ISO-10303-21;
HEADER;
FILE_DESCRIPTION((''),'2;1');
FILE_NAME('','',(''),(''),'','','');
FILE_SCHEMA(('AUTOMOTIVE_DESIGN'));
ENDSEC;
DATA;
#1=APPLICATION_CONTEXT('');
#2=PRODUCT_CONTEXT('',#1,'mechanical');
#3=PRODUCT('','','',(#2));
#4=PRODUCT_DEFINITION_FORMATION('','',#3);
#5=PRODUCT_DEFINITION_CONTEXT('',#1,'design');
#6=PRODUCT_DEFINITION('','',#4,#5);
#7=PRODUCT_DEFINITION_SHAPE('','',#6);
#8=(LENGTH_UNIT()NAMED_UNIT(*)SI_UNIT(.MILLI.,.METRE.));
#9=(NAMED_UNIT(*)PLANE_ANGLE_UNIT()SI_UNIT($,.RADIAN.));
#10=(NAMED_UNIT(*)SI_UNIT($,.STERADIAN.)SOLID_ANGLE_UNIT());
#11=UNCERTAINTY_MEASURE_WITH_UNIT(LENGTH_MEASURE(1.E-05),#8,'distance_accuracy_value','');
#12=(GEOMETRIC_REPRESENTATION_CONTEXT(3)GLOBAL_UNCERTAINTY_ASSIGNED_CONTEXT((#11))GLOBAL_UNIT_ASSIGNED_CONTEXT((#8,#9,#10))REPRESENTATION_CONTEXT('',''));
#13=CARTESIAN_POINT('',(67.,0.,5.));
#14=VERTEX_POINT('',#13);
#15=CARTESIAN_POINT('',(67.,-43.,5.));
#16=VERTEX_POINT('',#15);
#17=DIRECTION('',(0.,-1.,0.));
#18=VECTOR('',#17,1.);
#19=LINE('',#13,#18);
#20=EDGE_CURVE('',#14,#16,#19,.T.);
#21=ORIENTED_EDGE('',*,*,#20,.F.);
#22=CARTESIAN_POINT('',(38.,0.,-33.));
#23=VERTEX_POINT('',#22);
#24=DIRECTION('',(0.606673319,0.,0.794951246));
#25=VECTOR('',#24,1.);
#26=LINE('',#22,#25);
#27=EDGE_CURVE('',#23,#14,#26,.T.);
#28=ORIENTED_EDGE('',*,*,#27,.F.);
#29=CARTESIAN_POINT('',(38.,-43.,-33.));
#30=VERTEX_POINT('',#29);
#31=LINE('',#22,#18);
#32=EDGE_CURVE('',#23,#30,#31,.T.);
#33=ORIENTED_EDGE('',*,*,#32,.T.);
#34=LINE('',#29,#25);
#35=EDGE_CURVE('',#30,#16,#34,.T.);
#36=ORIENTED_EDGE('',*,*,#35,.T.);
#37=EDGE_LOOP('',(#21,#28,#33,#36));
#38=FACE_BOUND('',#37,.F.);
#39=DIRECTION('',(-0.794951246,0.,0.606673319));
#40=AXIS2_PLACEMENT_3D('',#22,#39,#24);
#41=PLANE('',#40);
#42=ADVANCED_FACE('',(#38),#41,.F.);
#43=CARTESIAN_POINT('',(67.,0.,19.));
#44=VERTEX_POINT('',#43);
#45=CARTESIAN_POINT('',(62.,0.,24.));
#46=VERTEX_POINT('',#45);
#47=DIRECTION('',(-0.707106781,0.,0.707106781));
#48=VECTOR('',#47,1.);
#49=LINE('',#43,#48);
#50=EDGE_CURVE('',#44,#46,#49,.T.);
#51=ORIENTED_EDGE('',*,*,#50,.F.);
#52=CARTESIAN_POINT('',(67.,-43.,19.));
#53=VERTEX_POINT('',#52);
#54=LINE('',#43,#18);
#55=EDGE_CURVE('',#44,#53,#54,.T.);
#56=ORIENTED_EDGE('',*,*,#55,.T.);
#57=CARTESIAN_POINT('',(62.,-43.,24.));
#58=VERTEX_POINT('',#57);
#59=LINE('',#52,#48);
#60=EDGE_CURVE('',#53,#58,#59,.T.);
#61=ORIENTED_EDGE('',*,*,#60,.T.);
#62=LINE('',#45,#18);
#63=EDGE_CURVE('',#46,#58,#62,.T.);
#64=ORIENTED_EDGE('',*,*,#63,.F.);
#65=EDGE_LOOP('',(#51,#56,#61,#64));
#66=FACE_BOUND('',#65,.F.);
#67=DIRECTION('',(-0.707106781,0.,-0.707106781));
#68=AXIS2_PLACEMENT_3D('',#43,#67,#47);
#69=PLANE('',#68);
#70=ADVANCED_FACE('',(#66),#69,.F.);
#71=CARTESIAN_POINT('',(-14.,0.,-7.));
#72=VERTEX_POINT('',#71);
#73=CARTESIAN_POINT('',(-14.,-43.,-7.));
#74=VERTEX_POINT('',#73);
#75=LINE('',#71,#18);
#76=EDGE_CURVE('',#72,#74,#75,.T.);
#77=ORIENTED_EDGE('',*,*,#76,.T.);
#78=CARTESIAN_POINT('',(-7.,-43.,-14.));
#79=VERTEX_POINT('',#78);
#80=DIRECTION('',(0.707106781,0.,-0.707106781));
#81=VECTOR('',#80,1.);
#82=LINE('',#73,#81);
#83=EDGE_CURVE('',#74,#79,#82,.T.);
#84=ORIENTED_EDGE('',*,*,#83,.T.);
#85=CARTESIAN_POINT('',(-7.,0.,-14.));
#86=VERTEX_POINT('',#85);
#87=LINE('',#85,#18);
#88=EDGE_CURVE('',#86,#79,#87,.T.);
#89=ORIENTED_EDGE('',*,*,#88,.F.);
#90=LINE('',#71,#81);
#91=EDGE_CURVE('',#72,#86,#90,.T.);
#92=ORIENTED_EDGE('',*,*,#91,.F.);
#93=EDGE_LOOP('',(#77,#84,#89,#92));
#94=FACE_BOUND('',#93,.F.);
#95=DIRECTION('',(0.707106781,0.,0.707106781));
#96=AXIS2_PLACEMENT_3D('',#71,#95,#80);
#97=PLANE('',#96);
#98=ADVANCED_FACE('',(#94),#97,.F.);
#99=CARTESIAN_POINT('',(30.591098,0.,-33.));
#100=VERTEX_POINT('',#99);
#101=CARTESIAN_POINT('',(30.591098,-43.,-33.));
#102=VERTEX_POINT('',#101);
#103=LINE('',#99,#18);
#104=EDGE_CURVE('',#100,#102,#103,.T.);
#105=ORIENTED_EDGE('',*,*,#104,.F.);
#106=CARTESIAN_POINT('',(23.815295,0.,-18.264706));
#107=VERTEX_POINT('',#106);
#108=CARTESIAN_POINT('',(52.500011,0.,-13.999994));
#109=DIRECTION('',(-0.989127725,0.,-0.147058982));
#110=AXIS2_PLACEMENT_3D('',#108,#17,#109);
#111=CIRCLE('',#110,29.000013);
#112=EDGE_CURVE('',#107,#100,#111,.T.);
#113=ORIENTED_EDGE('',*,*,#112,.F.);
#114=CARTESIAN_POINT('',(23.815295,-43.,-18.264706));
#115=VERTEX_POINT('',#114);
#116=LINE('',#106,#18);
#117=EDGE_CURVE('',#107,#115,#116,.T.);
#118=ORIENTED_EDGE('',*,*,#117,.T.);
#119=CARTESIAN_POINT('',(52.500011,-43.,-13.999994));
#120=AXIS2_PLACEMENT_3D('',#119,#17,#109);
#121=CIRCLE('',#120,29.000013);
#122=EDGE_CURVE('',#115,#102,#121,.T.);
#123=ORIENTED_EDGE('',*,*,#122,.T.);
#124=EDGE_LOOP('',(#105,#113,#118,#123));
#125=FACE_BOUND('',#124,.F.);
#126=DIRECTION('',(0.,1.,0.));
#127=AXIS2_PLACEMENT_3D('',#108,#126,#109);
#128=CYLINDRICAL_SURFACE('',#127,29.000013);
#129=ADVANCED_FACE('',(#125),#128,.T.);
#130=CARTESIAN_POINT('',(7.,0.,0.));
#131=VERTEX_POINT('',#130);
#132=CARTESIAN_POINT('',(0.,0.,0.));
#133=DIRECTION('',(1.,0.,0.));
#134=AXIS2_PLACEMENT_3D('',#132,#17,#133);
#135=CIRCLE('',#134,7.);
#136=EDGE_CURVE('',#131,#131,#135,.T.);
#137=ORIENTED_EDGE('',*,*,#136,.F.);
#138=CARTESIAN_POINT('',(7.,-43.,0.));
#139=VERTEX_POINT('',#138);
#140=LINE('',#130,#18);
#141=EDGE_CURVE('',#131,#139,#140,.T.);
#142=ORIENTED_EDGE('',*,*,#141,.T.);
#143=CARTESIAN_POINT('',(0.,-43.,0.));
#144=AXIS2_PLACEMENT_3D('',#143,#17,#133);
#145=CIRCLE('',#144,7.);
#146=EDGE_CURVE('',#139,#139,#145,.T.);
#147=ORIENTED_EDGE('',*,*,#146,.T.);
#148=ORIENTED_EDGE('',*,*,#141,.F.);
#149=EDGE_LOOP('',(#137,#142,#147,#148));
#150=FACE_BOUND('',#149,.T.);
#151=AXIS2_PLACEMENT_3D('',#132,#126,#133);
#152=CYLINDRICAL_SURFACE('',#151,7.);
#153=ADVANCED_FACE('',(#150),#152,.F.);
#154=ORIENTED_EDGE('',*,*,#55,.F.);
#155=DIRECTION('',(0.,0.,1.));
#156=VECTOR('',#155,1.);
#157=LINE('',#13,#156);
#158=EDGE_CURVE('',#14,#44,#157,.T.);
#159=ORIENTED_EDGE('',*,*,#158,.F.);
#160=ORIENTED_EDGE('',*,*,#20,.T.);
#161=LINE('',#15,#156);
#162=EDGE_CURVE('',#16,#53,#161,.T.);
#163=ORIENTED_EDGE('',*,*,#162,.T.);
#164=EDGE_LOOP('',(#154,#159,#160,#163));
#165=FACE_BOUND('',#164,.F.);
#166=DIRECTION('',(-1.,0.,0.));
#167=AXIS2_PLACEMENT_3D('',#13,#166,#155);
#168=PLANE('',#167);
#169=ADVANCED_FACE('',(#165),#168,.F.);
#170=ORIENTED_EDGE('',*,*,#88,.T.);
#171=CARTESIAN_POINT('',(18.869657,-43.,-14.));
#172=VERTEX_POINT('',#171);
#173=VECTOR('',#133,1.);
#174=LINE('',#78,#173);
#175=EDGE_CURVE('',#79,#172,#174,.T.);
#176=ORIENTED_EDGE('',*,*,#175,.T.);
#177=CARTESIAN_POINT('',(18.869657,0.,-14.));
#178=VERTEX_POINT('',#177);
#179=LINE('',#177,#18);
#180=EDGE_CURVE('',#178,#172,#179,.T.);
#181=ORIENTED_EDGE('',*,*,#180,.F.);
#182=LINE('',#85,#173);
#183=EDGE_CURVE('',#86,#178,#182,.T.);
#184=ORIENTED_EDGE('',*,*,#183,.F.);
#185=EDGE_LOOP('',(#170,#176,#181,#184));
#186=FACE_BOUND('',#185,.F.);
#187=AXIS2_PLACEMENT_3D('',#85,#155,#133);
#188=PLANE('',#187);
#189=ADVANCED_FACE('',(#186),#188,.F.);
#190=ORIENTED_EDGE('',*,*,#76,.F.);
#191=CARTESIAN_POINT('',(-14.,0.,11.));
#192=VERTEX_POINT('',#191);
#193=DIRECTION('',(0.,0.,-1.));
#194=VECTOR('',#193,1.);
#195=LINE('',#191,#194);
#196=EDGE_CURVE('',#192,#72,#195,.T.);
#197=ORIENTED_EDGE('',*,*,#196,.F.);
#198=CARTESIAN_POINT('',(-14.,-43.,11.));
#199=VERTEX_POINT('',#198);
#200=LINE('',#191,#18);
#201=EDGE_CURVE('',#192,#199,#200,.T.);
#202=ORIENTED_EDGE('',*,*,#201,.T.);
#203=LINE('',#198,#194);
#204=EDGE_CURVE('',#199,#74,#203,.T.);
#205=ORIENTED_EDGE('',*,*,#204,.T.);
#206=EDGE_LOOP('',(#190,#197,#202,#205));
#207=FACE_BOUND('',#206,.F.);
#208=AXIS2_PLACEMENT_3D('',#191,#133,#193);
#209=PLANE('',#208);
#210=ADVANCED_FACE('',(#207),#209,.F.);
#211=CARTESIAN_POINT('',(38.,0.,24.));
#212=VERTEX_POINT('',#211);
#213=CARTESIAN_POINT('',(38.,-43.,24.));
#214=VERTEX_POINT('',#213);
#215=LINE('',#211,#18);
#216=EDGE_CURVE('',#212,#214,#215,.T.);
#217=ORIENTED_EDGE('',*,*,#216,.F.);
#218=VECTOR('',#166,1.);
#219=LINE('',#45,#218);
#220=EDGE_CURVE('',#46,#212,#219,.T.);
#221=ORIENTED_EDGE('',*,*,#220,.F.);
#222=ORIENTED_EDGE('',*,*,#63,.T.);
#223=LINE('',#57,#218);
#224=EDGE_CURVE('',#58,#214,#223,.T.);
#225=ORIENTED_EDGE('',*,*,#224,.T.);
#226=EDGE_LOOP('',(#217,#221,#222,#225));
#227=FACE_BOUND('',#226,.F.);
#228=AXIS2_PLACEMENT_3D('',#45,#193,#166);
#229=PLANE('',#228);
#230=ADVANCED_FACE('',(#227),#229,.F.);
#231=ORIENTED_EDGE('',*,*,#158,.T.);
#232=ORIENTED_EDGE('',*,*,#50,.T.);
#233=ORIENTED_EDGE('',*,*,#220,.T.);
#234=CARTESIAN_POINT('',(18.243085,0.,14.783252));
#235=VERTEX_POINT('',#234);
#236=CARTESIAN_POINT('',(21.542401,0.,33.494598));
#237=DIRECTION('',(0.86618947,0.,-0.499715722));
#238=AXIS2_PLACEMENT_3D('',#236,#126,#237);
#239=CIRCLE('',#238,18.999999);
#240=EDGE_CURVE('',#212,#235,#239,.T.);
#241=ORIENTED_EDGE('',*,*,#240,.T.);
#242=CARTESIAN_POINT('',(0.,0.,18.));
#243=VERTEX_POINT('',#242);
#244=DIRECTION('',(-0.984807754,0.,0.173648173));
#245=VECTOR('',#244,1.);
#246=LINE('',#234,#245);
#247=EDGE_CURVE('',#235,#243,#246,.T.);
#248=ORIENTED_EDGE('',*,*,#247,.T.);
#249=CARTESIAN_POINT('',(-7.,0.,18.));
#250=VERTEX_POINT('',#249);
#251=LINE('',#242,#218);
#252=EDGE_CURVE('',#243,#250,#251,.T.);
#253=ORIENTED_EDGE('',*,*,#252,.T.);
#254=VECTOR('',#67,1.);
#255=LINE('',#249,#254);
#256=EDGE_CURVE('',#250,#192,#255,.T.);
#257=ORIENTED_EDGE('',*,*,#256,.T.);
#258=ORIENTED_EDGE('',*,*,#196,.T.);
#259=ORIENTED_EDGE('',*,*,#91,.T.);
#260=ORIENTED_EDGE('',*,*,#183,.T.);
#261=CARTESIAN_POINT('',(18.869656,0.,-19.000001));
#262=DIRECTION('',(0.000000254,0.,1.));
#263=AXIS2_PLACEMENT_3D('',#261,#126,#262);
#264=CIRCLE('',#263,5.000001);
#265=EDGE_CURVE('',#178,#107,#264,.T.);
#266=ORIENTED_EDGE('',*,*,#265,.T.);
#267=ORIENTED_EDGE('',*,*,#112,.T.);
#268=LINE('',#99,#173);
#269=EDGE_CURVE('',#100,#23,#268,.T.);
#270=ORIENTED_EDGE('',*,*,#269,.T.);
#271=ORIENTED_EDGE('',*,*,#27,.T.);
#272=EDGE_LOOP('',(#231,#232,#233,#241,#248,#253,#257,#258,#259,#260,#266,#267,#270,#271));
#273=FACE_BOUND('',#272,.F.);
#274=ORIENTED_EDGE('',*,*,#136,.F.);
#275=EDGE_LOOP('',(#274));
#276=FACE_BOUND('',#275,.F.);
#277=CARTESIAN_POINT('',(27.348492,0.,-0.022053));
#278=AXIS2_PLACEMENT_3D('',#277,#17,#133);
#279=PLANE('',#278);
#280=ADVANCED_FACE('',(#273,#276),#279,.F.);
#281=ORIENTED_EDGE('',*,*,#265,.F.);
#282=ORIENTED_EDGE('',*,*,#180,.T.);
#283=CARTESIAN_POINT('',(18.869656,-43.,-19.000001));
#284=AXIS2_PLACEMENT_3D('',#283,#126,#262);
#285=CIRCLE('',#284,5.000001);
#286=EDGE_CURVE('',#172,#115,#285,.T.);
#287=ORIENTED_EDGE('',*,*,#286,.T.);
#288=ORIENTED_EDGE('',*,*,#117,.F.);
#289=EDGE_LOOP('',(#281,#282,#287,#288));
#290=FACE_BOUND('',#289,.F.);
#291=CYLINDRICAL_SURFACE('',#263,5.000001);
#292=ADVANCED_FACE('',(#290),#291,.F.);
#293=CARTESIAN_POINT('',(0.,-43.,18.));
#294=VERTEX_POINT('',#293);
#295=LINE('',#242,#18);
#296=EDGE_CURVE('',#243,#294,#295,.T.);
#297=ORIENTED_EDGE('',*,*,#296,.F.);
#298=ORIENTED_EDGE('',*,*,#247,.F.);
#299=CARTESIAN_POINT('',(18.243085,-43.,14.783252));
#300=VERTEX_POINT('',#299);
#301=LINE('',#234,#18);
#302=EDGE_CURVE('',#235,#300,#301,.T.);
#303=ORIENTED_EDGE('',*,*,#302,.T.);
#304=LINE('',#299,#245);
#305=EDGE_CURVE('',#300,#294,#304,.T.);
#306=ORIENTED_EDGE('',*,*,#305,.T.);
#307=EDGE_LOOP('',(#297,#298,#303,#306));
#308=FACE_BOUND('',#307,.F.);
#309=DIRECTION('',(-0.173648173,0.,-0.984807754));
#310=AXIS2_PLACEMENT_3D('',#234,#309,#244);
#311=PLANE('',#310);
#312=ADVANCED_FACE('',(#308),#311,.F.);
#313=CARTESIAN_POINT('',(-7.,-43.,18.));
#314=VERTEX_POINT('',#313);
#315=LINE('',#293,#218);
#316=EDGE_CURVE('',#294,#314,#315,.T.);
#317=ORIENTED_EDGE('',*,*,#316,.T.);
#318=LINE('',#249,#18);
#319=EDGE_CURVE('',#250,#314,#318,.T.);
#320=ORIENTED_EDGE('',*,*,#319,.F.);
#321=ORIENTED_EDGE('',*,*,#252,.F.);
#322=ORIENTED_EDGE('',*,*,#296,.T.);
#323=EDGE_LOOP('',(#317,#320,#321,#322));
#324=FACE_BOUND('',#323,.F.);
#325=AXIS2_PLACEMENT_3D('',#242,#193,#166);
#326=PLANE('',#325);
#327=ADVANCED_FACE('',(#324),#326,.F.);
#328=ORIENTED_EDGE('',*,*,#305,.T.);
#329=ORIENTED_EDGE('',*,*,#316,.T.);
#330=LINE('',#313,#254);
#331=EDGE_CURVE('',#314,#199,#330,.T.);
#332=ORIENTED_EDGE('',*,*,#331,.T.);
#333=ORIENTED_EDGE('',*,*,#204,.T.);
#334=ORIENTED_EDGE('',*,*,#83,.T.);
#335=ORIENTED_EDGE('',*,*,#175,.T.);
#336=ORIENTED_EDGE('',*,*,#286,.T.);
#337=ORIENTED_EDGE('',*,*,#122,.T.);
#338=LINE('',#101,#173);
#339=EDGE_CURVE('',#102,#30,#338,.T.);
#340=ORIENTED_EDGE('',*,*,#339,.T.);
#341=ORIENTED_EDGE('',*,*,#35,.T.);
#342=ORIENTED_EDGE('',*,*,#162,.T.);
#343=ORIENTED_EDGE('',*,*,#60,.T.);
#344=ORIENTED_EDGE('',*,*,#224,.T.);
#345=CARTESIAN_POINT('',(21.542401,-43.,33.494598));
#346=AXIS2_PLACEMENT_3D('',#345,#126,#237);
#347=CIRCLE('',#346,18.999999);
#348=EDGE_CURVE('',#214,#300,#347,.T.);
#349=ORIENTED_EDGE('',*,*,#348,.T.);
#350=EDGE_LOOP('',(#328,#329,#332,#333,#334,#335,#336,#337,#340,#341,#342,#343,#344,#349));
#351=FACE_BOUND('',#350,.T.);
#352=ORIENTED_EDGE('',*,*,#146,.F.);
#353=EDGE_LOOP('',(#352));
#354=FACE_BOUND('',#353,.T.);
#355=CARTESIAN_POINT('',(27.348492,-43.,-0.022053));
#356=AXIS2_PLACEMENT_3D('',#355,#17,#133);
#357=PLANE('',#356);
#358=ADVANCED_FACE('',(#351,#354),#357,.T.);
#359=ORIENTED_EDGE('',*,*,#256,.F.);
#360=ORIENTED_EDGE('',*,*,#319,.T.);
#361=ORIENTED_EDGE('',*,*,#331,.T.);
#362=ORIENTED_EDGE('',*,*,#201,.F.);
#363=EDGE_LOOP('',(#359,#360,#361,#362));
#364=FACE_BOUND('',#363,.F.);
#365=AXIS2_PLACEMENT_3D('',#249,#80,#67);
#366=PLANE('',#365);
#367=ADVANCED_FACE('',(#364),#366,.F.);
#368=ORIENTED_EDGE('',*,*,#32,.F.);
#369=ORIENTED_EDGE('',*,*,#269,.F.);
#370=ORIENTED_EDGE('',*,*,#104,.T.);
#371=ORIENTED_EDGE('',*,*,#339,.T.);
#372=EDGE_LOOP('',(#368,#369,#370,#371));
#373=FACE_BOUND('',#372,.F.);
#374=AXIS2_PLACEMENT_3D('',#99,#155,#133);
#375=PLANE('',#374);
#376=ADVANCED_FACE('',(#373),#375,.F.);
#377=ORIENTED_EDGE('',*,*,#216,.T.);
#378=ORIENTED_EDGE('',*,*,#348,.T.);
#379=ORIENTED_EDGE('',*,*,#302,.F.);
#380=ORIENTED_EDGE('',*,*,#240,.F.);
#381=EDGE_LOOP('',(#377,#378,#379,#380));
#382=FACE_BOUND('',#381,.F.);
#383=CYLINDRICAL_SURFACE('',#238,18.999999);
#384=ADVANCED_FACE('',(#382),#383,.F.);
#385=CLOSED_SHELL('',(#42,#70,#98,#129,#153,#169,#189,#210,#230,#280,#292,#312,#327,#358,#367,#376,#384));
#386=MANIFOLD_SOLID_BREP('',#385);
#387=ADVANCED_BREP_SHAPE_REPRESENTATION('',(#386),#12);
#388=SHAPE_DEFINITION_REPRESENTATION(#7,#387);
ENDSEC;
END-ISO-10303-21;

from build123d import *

# Parameters (mm, degrees)
F0_R     = 7
F1_DEPTH = 43


with BuildPart() as f1:
    # F0 (on Front) → F1 (new body)
    with BuildSketch(Plane.XZ):
        with BuildLine():
            Line((18.243085, 14.783252), (0, 18))
            Line((0, 18), (-7, 18))
            Line((-7, 18), (-14, 11))
            Line((-14, 11), (-14, -7))
            Line((-14, -7), (-7, -14))
            Line((-7, -14), (18.869657, -14))
            ThreePointArc((18.869657, -14), (22.134892, -15.213414), (23.815295, -18.264706))
            ThreePointArc((23.815295, -18.264706), (26.152126, -26.115672), (30.591098, -33))
            Line((30.591098, -33), (38, -33))
            Line((38, -33), (67, 5))
            Line((67, 5), (67, 19))
            Line((67, 19), (62, 24))
            Line((62, 24), (38, 24))
            ThreePointArc((38, 24), (29.574973, 16.276069), (18.243085, 14.783252))
        make_face()
        Circle(F0_R, mode=Mode.SUBTRACT)
    extrude(amount=F1_DEPTH)


solid = f1.part
